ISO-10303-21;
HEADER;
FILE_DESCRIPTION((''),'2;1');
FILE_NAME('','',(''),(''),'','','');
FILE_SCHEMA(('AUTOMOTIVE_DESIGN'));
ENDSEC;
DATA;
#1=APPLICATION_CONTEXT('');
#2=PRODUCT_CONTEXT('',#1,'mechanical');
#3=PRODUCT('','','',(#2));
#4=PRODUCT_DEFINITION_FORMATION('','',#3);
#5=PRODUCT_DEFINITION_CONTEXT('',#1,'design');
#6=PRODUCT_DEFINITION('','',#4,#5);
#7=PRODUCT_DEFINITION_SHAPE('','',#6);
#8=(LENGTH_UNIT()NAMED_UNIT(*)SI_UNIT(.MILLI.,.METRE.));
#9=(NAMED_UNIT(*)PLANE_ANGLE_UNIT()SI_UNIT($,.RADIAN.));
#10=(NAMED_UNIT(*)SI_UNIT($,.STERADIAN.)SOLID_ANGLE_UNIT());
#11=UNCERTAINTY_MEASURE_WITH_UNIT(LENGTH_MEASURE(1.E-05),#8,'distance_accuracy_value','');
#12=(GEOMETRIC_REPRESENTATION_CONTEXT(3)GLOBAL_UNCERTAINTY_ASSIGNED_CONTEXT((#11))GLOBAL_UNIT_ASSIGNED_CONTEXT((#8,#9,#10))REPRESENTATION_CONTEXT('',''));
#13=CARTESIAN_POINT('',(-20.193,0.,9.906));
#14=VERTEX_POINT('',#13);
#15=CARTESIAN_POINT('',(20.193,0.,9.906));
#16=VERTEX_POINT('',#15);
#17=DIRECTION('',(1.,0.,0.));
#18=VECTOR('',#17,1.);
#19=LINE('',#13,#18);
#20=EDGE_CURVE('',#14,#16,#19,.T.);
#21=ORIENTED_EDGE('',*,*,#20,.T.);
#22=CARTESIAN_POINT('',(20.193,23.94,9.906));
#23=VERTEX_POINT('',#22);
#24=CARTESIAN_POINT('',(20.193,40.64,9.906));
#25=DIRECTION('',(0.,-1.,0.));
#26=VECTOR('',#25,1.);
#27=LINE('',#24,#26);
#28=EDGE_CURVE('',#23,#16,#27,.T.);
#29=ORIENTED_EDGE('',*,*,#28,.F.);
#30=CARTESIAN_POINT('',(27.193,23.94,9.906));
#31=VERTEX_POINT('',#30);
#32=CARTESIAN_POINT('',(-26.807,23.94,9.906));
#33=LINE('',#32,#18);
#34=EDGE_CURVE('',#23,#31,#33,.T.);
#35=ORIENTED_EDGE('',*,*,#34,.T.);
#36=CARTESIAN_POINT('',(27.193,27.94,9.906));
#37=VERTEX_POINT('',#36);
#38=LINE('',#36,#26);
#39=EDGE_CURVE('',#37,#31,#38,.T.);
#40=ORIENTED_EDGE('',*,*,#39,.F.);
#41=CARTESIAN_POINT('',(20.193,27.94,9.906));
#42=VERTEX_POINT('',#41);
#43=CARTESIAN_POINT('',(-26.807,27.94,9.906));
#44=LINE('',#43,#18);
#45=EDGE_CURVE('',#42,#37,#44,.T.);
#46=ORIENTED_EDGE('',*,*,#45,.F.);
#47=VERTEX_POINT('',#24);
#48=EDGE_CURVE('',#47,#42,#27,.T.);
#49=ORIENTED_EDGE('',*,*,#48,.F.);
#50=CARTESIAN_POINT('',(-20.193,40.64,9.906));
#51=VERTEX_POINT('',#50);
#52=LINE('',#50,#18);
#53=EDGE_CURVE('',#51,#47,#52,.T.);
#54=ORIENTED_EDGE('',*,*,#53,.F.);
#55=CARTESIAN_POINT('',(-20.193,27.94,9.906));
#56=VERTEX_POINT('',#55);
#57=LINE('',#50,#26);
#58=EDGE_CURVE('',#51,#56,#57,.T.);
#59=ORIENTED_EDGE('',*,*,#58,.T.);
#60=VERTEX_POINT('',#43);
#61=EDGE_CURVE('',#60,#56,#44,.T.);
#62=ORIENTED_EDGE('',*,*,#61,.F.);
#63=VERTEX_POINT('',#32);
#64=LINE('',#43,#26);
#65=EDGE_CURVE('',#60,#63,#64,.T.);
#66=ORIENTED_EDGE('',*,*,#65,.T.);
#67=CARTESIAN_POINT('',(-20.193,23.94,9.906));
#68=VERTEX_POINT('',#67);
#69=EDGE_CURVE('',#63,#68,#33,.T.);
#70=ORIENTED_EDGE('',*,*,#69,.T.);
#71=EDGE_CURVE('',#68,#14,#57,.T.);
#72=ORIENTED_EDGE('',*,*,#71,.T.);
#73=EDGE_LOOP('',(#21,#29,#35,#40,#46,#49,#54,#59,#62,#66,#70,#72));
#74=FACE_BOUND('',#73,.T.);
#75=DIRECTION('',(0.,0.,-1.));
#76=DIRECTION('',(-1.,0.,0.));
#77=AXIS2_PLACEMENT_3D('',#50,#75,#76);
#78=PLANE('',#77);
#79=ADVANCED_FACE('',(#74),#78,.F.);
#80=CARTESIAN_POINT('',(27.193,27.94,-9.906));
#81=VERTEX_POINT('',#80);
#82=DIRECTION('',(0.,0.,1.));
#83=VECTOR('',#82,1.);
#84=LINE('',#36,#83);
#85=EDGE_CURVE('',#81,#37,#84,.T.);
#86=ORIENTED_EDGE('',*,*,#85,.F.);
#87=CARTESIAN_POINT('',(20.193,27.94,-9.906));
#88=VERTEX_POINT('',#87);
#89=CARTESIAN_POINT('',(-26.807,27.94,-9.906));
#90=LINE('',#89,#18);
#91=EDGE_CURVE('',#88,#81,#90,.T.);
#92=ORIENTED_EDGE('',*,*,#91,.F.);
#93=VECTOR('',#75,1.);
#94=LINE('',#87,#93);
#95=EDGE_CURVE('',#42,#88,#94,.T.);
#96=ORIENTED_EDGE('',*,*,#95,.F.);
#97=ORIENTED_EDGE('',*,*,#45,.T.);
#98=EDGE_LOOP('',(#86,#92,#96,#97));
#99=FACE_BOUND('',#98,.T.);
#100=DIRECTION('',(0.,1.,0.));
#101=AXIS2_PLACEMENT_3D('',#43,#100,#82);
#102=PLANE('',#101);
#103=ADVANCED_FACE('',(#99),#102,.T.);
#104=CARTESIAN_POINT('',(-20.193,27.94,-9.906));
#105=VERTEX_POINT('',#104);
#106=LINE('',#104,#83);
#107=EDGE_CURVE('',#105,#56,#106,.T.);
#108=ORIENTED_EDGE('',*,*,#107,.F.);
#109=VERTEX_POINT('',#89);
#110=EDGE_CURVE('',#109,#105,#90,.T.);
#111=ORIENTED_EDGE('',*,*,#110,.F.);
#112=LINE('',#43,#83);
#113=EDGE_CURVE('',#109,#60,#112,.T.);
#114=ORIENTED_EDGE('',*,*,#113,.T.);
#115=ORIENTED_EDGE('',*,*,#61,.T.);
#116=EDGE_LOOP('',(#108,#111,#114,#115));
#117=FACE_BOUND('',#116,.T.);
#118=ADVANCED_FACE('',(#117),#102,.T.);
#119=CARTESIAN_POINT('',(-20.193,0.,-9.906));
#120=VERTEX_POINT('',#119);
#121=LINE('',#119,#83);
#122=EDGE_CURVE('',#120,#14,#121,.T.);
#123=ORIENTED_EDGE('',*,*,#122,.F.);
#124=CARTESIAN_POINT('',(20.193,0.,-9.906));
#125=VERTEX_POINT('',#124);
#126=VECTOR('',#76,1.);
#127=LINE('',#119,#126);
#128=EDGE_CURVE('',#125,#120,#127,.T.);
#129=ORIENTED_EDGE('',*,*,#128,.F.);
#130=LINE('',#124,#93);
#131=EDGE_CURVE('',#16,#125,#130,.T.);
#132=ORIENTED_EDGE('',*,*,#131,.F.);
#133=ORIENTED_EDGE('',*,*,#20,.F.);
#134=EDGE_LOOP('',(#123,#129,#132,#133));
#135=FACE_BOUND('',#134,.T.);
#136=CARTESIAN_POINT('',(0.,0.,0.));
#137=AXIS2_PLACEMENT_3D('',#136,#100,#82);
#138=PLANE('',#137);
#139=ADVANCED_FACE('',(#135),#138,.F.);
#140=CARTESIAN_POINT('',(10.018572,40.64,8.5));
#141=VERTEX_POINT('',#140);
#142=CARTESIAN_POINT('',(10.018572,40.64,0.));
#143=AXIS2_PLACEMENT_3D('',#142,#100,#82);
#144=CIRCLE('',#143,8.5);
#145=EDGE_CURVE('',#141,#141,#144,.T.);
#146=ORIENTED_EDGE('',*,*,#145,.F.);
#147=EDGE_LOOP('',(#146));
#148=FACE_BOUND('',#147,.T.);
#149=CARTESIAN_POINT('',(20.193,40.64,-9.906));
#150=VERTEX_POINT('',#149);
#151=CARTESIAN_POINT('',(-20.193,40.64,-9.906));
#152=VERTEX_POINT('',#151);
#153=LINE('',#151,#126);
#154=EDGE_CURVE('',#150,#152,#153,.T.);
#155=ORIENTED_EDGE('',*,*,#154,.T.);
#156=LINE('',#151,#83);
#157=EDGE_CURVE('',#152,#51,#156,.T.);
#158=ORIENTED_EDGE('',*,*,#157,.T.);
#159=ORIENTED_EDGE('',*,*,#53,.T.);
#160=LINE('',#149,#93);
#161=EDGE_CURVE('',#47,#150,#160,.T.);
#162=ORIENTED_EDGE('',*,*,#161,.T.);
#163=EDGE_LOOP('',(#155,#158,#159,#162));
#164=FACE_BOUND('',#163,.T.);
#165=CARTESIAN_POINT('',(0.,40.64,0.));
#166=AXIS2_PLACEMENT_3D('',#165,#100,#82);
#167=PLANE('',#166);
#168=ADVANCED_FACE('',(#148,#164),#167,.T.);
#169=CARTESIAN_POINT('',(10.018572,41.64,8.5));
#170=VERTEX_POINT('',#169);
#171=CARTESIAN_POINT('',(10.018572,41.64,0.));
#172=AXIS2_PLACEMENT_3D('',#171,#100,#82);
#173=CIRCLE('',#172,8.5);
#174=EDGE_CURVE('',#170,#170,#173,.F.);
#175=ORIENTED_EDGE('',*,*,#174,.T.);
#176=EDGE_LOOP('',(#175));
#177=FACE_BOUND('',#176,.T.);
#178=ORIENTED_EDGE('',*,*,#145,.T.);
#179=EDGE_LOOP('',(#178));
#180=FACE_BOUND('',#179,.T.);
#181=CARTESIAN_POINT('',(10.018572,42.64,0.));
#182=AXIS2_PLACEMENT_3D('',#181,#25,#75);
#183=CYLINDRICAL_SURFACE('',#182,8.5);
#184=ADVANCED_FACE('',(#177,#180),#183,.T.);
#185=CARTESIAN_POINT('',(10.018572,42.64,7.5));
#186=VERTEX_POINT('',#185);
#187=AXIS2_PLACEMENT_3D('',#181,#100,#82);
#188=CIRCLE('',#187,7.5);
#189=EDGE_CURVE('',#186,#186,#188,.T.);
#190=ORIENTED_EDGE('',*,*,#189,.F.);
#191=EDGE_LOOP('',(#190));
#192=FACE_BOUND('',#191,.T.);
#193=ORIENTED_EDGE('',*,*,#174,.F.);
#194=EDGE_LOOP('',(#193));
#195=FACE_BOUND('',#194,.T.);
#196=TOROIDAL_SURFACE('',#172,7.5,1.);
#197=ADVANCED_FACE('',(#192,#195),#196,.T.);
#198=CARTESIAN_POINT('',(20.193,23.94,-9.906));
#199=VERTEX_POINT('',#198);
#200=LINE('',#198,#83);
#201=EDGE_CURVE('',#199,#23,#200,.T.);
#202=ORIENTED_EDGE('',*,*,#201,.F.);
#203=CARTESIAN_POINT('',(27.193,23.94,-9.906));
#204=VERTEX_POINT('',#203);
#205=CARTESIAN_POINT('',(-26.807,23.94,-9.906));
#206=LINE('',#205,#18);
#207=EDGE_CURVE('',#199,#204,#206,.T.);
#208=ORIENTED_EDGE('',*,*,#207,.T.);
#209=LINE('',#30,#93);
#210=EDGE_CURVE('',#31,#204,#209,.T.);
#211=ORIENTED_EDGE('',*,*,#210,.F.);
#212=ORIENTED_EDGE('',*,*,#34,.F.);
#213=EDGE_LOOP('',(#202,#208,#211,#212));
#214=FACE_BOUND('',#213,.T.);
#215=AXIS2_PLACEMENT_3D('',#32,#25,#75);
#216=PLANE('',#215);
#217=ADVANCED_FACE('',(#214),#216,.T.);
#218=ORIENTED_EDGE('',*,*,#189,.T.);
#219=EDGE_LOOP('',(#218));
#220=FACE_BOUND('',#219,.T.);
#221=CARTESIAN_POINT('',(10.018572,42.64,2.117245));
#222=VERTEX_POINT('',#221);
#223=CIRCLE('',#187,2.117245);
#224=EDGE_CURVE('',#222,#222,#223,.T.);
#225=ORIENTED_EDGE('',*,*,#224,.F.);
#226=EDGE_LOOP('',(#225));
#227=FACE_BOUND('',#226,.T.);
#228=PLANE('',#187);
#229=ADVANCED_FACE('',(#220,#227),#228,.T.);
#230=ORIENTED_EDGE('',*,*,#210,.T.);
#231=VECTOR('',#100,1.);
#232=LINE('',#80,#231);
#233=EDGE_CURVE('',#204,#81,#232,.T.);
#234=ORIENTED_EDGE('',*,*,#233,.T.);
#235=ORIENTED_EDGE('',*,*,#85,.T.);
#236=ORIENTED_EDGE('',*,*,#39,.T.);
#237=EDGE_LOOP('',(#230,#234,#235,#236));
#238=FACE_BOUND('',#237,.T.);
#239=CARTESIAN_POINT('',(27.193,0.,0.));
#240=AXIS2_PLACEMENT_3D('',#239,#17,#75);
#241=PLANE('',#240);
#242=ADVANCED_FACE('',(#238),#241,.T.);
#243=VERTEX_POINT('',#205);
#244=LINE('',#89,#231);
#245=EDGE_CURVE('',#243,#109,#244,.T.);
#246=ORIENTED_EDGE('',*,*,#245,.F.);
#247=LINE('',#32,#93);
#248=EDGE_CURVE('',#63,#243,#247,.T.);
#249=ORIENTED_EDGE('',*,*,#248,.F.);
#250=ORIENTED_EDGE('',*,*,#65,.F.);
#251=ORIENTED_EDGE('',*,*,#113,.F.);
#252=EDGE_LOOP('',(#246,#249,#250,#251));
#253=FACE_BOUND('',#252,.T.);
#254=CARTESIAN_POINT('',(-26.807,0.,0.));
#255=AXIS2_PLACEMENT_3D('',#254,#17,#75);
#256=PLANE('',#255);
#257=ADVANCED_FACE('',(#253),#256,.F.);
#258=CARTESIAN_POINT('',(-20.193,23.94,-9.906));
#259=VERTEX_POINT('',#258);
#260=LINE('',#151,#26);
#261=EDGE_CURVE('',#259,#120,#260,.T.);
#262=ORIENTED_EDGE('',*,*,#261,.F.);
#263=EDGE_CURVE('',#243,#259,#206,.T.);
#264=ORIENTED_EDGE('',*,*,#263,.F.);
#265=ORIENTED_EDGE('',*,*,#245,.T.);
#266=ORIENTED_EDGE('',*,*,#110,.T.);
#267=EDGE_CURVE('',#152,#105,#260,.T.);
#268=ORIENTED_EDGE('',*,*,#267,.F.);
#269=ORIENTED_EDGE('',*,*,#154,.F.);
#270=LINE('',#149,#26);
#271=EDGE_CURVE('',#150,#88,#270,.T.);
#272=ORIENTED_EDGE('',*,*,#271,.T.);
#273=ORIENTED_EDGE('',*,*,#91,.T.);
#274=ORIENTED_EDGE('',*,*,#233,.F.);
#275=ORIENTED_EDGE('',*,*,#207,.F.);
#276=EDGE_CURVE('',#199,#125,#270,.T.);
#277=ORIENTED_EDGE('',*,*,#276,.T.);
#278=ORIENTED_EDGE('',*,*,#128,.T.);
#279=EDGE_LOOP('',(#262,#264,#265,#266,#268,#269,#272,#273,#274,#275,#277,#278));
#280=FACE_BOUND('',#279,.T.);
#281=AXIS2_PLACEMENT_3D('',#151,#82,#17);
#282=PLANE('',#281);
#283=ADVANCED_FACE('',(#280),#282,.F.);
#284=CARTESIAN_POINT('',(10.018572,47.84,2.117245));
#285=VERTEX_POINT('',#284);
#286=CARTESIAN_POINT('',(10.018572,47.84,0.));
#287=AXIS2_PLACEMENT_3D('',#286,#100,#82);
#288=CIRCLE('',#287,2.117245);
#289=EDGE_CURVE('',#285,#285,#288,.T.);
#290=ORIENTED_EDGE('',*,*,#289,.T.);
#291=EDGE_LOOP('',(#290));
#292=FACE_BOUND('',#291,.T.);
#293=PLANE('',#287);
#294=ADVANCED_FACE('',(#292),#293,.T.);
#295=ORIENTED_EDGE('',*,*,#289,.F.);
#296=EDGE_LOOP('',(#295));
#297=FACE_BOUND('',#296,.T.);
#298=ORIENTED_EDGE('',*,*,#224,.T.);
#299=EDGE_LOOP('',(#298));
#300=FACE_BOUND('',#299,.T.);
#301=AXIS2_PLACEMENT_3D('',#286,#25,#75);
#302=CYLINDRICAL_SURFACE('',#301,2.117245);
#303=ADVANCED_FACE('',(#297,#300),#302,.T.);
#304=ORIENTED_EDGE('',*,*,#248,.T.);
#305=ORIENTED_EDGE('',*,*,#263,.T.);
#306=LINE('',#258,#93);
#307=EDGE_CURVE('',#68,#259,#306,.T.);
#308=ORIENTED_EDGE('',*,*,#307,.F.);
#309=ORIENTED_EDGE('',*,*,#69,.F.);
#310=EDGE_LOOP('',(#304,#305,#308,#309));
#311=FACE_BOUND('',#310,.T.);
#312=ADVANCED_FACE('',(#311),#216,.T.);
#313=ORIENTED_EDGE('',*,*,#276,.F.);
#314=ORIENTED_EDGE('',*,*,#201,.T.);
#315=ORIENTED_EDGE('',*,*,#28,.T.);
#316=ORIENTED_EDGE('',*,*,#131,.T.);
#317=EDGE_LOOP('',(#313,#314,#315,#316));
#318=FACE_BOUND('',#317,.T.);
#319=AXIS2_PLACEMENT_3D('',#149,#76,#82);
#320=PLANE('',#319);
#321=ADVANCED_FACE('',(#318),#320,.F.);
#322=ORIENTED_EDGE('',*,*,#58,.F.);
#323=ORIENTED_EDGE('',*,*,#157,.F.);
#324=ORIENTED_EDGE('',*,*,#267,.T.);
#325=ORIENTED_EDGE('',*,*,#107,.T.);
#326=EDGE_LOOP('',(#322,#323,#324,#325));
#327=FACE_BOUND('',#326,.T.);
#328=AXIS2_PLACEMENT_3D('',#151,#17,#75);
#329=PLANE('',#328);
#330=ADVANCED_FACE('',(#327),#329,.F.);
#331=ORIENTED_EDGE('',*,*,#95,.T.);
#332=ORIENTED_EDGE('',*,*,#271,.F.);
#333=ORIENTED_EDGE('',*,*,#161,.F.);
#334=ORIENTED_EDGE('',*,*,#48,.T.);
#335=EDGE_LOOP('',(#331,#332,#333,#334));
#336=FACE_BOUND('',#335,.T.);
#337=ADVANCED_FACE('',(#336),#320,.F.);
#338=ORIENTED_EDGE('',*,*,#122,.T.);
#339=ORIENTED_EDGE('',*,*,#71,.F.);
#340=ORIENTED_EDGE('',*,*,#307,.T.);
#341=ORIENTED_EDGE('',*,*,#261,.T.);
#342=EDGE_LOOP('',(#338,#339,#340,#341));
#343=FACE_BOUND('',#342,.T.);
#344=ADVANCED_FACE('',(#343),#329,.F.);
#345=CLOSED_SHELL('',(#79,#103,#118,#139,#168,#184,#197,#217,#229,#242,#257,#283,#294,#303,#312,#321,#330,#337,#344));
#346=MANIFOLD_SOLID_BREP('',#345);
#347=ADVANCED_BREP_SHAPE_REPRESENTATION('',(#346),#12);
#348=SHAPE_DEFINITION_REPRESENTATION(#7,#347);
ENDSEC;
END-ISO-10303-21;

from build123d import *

# Parameters (mm, degrees)
SKETCH1_W                = 40.386
SKETCH1_H                = 19.812
BOSS_EXTRUDE1_DEPTH      = 40.64
SKETCH2_W                = 19.812
SKETCH2_H                = 4
BOSS_EXTRUDE2_DEPTH      = 7
BOSS_EXTRUDE2_DEPTH_BACK = 47
SKETCH3_R                = 8.5
BOSS_EXTRUDE3_DEPTH      = 2
FILLET1_R                = 1
SKETCH4_R                = 2.117245373
BOSS_EXTRUDE4_DEPTH      = 5.2


with BuildPart() as part:
    # Sketch1 → Boss-Extrude1 (new body)
    with BuildSketch(Plane(origin=(0, 0, 0), x_dir=(1, 0, 0), z_dir=(0, 1, 0))):
        Rectangle(SKETCH1_W, SKETCH1_H)
    extrude(amount=BOSS_EXTRUDE1_DEPTH)

    # Sketch2 → Boss-Extrude2 (add, two sides)
    with BuildSketch(Plane(origin=(20.193, 0, 0), x_dir=(0, 0, -1), z_dir=(1, 0, 0))) as boss_extrude2_sk:
        with Locations((0, 25.94)):
            Rectangle(SKETCH2_W, SKETCH2_H)
    extrude(amount=BOSS_EXTRUDE2_DEPTH)
    extrude(boss_extrude2_sk.sketch, amount=-BOSS_EXTRUDE2_DEPTH_BACK)

    # Sketch3 → Boss-Extrude3 (add)
    with BuildSketch(Plane(origin=(0, 40.64, 0), x_dir=(1, 0, 0), z_dir=(0, 1, 0))):
        with Locations((10.018571985, 0)):
            Circle(SKETCH3_R)
    extrude(amount=BOSS_EXTRUDE3_DEPTH)

    # Fillet1
    fillet1_edges = [part.edges().sort_by_distance(p)[0] for p in [
        (1.518571985, 42.64, 0),
    ]]
    fillet(fillet1_edges, radius=FILLET1_R)

    # Sketch4 → Boss-Extrude4 (add)
    with BuildSketch(Plane(origin=(0, 42.64, 0), x_dir=(1, 0, 0), z_dir=(0, 1, 0))):
        with Locations((10.018571985, 0)):
            Circle(SKETCH4_R)
    extrude(amount=BOSS_EXTRUDE4_DEPTH)


solid = part.part
